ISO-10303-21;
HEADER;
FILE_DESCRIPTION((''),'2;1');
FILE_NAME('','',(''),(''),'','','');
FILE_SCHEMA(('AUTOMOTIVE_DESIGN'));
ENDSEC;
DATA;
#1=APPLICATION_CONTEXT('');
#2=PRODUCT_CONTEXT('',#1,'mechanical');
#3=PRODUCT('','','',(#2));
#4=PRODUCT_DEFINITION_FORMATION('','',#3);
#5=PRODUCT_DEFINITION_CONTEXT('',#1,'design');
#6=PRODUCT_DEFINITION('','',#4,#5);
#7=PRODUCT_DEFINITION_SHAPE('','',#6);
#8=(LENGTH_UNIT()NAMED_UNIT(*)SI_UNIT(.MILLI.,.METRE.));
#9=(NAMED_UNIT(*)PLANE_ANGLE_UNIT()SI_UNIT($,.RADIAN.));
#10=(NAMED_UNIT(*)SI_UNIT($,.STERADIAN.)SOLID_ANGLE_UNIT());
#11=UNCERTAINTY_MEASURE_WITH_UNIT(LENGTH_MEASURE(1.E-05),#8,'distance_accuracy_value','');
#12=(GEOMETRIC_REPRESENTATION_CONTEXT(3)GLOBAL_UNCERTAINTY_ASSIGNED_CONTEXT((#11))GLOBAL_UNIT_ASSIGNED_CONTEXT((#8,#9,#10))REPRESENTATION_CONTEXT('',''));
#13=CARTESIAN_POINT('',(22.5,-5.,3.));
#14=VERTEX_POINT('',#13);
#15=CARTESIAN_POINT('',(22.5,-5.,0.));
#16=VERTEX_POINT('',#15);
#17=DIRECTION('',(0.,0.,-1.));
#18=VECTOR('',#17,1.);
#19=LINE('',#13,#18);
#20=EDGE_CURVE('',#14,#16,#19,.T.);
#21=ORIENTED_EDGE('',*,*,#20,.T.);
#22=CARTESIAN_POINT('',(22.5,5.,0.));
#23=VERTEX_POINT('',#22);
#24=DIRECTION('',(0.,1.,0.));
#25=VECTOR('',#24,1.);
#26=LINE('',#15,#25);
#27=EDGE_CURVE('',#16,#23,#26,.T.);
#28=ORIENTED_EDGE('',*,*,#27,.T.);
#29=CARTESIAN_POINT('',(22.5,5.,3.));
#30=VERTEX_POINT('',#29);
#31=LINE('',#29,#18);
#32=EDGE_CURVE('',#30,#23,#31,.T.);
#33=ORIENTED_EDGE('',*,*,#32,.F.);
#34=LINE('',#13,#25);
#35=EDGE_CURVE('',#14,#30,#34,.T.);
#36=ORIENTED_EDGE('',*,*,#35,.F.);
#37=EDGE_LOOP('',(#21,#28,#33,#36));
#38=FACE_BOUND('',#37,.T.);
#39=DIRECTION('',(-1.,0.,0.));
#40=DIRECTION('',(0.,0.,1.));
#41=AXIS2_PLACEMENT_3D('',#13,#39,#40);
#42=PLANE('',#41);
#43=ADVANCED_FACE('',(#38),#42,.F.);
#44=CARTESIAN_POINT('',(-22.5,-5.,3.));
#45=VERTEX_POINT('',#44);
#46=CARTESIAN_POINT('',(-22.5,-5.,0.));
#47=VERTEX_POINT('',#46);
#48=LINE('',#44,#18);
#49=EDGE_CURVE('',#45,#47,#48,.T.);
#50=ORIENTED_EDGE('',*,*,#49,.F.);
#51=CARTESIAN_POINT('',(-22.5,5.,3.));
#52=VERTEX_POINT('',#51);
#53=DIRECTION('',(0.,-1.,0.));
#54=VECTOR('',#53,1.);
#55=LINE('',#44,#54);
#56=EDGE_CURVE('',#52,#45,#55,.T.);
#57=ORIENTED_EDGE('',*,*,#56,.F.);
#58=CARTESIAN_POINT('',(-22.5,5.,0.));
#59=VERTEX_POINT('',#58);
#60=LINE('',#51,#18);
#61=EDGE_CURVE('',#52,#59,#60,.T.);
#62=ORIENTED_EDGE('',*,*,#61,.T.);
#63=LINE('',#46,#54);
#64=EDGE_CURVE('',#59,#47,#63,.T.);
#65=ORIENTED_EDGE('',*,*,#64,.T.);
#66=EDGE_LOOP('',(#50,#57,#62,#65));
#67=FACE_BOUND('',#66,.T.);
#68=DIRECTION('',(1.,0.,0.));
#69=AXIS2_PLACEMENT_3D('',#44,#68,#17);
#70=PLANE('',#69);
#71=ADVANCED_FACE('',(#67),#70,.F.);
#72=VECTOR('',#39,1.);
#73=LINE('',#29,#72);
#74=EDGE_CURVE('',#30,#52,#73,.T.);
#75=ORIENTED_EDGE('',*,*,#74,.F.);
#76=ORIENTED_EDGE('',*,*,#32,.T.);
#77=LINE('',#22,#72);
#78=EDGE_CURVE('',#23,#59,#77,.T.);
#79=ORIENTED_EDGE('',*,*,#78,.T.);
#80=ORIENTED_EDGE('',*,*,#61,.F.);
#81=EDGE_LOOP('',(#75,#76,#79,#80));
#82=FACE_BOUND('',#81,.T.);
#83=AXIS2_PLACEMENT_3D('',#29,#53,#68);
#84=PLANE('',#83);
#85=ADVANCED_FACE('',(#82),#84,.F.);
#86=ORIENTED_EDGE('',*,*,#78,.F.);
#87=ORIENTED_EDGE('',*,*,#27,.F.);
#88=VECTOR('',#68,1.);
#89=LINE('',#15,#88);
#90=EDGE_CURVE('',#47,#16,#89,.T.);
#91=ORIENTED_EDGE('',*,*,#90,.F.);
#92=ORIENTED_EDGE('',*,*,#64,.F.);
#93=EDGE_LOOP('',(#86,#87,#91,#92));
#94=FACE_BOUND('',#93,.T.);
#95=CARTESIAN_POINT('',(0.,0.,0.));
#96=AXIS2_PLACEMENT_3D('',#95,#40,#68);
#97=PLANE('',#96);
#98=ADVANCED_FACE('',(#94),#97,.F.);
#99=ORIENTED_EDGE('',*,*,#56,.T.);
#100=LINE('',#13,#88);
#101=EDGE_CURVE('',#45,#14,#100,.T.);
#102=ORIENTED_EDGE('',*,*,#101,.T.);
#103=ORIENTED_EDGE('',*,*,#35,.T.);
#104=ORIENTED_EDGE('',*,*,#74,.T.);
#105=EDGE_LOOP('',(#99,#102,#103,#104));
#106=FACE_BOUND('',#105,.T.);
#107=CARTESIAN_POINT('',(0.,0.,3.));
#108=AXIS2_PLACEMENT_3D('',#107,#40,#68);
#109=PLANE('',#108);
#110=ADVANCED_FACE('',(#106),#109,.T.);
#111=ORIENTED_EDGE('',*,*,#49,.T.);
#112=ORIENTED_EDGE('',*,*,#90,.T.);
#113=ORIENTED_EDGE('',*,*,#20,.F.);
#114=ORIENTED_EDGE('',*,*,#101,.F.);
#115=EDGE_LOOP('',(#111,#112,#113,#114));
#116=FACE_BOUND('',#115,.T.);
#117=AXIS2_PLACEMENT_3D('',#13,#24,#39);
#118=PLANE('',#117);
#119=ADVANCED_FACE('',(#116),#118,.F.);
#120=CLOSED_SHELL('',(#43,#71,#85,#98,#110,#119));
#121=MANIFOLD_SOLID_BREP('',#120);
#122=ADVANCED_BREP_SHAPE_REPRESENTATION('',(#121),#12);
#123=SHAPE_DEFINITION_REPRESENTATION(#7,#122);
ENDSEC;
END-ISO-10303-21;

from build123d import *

# Parameters (mm, degrees)
SKETCH1_W           = 45
SKETCH1_H           = 10
BOSS_EXTRUDE1_DEPTH = 3


with BuildPart() as part:
    # Sketch1 → Boss-Extrude1 (new body)
    with BuildSketch(Plane.XY):
        Rectangle(SKETCH1_W, SKETCH1_H)
    extrude(amount=BOSS_EXTRUDE1_DEPTH)


solid = part.part
